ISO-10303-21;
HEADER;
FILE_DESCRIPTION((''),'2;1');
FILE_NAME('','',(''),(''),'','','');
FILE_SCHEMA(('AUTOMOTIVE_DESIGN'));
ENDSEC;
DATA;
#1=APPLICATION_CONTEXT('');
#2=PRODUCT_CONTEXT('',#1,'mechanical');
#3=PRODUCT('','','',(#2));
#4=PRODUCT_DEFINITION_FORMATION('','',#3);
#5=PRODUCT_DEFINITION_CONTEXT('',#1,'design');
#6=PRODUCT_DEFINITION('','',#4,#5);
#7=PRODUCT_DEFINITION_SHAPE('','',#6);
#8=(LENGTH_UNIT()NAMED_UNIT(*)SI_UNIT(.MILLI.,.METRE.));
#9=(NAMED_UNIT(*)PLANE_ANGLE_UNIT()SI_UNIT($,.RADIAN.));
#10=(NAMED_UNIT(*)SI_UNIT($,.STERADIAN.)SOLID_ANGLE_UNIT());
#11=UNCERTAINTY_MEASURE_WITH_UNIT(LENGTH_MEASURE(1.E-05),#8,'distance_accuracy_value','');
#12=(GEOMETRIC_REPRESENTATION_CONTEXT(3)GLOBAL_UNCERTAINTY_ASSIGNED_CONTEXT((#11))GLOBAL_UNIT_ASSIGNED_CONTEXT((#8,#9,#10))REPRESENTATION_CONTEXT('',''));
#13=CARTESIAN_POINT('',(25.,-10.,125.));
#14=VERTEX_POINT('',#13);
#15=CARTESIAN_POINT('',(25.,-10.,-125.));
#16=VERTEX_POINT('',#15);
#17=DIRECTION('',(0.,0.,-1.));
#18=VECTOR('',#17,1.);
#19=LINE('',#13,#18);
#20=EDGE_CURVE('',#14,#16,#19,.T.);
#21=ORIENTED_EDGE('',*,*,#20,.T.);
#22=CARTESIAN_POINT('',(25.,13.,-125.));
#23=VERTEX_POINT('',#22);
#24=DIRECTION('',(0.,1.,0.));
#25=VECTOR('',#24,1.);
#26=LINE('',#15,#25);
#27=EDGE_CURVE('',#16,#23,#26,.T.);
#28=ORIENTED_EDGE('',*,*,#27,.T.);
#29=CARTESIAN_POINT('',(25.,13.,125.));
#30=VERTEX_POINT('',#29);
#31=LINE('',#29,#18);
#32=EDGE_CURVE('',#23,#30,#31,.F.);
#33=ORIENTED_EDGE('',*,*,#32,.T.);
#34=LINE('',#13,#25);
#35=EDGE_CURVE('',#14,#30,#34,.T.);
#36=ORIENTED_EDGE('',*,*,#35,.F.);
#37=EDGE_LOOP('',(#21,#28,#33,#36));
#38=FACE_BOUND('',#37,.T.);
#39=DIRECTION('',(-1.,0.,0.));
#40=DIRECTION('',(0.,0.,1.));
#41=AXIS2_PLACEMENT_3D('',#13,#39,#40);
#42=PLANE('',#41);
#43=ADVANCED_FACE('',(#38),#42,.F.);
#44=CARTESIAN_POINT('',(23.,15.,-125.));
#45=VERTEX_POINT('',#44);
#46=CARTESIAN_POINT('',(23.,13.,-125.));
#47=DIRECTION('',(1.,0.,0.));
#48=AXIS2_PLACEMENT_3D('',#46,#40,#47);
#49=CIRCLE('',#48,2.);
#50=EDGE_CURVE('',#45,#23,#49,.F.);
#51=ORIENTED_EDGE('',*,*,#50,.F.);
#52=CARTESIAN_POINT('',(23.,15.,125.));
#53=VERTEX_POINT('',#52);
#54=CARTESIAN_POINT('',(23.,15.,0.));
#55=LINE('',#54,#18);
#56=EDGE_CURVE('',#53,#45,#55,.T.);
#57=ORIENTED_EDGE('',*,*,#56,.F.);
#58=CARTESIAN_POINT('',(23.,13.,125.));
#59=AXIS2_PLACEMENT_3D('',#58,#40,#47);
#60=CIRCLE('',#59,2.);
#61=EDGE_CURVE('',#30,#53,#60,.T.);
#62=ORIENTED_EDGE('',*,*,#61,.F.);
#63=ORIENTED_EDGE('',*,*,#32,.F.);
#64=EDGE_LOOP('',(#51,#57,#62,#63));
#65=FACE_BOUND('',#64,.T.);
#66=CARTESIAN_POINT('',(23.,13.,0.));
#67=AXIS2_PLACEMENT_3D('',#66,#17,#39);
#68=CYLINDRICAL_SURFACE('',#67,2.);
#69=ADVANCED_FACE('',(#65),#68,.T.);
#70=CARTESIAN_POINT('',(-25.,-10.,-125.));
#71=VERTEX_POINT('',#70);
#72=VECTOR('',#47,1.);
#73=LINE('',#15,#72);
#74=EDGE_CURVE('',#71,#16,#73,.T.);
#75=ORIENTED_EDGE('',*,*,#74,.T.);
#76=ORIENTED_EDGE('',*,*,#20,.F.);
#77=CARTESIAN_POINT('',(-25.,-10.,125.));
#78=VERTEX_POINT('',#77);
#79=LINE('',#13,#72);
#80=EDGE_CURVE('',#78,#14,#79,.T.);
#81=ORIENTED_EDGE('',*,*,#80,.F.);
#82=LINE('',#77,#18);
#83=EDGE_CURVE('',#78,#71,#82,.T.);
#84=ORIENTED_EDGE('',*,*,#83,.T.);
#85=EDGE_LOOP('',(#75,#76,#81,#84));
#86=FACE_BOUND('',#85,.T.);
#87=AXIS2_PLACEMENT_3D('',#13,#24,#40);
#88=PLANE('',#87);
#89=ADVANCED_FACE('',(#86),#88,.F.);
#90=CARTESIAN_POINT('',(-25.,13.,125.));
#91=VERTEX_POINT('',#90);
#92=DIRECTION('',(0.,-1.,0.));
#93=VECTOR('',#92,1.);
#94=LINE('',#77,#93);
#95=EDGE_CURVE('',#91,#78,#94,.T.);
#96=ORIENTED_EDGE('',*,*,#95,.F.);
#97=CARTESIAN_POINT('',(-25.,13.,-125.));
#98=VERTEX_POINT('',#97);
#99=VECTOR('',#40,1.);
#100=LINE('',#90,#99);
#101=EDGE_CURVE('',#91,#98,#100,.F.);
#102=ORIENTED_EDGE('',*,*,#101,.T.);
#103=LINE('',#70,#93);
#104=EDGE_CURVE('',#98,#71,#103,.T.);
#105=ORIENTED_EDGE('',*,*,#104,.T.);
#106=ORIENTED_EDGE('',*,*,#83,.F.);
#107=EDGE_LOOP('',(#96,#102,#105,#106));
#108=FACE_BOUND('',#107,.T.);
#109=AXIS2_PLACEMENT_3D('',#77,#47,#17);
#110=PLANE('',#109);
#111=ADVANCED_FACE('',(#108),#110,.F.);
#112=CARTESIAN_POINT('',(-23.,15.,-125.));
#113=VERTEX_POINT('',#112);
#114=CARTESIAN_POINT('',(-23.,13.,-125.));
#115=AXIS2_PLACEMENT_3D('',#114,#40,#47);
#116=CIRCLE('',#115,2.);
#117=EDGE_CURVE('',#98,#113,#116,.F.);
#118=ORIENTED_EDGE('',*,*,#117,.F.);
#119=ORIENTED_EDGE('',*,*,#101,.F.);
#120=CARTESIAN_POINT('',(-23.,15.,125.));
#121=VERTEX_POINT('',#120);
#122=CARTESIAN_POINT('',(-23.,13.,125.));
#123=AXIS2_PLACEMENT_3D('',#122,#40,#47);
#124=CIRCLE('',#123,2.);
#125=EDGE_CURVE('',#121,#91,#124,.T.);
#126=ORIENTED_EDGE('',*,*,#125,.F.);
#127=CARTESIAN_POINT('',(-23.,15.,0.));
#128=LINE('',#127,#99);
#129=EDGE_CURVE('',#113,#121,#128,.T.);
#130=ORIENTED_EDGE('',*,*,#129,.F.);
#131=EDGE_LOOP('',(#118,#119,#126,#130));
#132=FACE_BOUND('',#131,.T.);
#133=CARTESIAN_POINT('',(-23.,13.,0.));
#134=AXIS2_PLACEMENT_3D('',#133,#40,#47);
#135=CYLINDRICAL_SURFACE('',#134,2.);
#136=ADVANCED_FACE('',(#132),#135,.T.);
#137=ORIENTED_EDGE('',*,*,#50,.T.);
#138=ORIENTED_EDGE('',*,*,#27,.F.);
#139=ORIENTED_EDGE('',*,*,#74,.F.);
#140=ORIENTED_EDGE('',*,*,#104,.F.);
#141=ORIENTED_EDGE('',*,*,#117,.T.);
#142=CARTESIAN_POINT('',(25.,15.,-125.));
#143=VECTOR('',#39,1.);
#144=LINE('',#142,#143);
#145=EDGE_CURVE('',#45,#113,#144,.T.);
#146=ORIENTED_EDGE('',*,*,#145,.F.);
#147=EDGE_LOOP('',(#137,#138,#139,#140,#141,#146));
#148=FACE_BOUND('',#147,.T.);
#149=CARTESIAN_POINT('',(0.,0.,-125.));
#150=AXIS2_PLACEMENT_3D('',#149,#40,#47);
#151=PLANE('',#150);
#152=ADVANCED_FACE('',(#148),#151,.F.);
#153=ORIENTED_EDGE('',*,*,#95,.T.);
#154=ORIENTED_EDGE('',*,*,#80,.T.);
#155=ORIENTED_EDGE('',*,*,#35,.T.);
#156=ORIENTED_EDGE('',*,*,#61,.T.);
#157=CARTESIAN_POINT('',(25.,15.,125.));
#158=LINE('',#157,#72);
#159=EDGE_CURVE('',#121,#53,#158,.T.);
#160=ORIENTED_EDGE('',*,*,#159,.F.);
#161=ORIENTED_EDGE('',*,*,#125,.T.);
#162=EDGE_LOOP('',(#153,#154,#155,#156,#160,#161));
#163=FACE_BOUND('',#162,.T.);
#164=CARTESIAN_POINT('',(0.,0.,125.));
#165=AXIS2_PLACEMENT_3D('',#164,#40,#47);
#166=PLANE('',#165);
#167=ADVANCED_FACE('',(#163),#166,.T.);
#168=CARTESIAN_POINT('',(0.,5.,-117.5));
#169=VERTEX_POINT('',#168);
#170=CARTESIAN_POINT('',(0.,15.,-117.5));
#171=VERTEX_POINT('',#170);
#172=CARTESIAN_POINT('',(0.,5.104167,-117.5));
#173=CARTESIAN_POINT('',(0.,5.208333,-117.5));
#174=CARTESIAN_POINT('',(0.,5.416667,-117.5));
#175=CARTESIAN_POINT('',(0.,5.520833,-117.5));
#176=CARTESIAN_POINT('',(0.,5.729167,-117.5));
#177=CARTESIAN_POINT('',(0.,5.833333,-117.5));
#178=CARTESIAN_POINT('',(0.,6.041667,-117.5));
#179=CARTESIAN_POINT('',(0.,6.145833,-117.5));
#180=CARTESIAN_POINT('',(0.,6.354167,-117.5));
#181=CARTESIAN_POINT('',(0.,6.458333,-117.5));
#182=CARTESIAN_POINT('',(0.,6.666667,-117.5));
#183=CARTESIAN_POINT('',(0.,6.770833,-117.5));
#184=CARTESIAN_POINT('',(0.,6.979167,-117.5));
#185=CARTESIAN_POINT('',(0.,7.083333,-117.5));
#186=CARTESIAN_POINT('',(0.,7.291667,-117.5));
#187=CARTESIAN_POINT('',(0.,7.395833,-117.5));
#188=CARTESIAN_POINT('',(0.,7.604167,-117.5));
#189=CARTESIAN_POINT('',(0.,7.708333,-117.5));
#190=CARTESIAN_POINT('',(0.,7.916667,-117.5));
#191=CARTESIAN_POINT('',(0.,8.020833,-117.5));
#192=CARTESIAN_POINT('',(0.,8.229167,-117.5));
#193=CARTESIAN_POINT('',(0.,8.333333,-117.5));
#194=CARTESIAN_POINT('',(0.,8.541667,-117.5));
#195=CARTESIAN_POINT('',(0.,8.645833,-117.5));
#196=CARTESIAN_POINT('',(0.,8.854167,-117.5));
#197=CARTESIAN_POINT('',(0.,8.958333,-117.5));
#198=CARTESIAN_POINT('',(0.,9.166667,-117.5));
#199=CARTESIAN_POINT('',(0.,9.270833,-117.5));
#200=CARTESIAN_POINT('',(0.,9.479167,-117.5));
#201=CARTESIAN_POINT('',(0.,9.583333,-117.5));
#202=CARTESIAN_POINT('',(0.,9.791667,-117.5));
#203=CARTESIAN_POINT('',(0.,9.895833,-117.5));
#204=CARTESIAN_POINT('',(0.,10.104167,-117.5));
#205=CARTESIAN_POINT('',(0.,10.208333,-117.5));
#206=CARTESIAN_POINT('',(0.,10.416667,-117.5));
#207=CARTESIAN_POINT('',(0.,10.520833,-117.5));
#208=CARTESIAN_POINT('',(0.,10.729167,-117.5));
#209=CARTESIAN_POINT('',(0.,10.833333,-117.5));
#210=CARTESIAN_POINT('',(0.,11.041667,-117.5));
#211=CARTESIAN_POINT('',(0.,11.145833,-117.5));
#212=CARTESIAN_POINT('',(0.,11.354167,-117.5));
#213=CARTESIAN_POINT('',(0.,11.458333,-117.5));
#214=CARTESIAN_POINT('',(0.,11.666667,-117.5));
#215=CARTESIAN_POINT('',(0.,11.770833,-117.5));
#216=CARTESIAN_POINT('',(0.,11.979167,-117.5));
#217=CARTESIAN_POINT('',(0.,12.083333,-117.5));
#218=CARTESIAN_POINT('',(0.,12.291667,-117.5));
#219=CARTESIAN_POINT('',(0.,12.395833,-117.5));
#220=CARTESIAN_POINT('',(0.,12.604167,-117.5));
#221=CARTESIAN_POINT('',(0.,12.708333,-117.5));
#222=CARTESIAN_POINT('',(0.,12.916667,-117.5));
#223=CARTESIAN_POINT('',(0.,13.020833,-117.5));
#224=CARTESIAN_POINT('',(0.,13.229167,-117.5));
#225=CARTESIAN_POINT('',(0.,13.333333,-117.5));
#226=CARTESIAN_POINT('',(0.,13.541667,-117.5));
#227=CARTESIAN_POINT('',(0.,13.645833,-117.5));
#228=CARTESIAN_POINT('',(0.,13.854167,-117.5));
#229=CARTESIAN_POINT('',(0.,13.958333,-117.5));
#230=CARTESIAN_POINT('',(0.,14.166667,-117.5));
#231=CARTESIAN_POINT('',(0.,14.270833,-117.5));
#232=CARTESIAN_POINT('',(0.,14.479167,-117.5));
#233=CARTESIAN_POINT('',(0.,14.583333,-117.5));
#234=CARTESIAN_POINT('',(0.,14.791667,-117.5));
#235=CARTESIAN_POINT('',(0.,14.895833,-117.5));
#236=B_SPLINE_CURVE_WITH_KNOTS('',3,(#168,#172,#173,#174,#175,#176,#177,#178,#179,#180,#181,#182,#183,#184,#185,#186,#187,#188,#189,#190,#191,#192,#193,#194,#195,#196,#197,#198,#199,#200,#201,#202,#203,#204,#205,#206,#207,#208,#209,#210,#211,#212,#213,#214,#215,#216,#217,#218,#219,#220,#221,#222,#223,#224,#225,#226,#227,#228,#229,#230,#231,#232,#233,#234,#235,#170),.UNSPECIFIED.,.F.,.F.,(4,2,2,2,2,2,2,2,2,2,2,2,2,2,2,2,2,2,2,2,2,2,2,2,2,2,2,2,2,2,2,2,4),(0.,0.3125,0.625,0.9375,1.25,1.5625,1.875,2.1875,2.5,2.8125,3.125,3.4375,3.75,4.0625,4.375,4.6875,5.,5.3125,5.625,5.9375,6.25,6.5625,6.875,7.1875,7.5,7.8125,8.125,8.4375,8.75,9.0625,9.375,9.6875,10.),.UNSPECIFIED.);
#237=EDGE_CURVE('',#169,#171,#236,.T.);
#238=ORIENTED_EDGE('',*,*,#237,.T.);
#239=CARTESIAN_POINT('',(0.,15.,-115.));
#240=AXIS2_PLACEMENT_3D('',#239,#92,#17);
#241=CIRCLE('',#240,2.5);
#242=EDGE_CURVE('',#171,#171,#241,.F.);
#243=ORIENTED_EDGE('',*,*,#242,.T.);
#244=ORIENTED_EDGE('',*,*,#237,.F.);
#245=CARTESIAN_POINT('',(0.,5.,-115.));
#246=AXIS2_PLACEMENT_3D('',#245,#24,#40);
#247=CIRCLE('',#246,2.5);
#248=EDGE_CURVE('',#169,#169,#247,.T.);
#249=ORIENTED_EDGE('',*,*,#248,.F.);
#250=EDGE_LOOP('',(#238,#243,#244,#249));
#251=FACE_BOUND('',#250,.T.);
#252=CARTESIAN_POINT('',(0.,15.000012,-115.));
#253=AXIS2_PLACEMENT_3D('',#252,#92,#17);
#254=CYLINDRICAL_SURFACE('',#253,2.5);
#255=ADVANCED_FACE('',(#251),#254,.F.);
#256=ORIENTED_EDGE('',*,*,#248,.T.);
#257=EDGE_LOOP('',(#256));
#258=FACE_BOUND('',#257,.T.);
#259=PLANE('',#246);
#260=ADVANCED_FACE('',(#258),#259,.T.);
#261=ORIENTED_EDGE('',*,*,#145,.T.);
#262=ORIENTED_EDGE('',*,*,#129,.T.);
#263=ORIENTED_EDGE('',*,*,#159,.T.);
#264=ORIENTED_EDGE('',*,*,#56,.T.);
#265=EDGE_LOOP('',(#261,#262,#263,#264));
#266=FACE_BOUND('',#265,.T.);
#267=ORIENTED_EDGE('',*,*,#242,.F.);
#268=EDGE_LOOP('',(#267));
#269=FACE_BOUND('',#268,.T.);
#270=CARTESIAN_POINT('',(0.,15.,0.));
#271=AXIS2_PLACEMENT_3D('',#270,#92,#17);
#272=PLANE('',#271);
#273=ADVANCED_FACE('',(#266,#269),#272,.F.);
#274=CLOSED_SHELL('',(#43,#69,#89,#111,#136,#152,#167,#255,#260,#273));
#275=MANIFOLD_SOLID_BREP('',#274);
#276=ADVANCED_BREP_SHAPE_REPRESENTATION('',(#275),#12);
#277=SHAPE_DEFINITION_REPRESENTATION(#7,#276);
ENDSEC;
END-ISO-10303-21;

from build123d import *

# Parameters (mm, degrees)
SKETCH1_W               = 50
SKETCH1_H               = 20
BOSS_EXTRUDE1_DEPTH     = 125
SKETCH3_W               = 50
SKETCH3_H               = 250
BOSS_EXTRUDE2_DEPTH     = 5
CUT_EXTRUDE1_DEPTH      = 130.903810568
CUT_EXTRUDE1_DEPTH_BACK = 10
SKETCH2_R               = 2.5
FILLET1_R               = 2


with BuildPart() as part:
    # Sketch1 → Boss-Extrude1 (new, symmetric)
    with BuildSketch(Plane.XY):
        Rectangle(SKETCH1_W, SKETCH1_H)
    extrude(amount=BOSS_EXTRUDE1_DEPTH, both=True)

    # Sketch3 → Boss-Extrude2 (add)
    with BuildSketch(Plane(origin=(0, 10, 0), x_dir=(1, 0, 0), z_dir=(0, 1, 0))):
        Rectangle(SKETCH3_W, SKETCH3_H)
    extrude(amount=BOSS_EXTRUDE2_DEPTH)

    # Sketch2 → Cut-Extrude1 (cut, two sides: drawn at the far end of the back side and taken through both)
    with BuildSketch(Plane(origin=(0, 15, 0), x_dir=(1, 0, 0), z_dir=(0, 1, 0)).offset(-CUT_EXTRUDE1_DEPTH_BACK)):
        with Locations(Location((0, 115, 0), (0, 0, 90))):
            Circle(SKETCH2_R)
    extrude(amount=CUT_EXTRUDE1_DEPTH + CUT_EXTRUDE1_DEPTH_BACK, mode=Mode.SUBTRACT)

    # Fillet1
    fillet1_edges = [part.edges().sort_by_distance(p)[0] for p in [
        (-25, 15, 0),
        (25, 15, 0),
    ]]
    fillet(fillet1_edges, radius=FILLET1_R)


solid = part.part
